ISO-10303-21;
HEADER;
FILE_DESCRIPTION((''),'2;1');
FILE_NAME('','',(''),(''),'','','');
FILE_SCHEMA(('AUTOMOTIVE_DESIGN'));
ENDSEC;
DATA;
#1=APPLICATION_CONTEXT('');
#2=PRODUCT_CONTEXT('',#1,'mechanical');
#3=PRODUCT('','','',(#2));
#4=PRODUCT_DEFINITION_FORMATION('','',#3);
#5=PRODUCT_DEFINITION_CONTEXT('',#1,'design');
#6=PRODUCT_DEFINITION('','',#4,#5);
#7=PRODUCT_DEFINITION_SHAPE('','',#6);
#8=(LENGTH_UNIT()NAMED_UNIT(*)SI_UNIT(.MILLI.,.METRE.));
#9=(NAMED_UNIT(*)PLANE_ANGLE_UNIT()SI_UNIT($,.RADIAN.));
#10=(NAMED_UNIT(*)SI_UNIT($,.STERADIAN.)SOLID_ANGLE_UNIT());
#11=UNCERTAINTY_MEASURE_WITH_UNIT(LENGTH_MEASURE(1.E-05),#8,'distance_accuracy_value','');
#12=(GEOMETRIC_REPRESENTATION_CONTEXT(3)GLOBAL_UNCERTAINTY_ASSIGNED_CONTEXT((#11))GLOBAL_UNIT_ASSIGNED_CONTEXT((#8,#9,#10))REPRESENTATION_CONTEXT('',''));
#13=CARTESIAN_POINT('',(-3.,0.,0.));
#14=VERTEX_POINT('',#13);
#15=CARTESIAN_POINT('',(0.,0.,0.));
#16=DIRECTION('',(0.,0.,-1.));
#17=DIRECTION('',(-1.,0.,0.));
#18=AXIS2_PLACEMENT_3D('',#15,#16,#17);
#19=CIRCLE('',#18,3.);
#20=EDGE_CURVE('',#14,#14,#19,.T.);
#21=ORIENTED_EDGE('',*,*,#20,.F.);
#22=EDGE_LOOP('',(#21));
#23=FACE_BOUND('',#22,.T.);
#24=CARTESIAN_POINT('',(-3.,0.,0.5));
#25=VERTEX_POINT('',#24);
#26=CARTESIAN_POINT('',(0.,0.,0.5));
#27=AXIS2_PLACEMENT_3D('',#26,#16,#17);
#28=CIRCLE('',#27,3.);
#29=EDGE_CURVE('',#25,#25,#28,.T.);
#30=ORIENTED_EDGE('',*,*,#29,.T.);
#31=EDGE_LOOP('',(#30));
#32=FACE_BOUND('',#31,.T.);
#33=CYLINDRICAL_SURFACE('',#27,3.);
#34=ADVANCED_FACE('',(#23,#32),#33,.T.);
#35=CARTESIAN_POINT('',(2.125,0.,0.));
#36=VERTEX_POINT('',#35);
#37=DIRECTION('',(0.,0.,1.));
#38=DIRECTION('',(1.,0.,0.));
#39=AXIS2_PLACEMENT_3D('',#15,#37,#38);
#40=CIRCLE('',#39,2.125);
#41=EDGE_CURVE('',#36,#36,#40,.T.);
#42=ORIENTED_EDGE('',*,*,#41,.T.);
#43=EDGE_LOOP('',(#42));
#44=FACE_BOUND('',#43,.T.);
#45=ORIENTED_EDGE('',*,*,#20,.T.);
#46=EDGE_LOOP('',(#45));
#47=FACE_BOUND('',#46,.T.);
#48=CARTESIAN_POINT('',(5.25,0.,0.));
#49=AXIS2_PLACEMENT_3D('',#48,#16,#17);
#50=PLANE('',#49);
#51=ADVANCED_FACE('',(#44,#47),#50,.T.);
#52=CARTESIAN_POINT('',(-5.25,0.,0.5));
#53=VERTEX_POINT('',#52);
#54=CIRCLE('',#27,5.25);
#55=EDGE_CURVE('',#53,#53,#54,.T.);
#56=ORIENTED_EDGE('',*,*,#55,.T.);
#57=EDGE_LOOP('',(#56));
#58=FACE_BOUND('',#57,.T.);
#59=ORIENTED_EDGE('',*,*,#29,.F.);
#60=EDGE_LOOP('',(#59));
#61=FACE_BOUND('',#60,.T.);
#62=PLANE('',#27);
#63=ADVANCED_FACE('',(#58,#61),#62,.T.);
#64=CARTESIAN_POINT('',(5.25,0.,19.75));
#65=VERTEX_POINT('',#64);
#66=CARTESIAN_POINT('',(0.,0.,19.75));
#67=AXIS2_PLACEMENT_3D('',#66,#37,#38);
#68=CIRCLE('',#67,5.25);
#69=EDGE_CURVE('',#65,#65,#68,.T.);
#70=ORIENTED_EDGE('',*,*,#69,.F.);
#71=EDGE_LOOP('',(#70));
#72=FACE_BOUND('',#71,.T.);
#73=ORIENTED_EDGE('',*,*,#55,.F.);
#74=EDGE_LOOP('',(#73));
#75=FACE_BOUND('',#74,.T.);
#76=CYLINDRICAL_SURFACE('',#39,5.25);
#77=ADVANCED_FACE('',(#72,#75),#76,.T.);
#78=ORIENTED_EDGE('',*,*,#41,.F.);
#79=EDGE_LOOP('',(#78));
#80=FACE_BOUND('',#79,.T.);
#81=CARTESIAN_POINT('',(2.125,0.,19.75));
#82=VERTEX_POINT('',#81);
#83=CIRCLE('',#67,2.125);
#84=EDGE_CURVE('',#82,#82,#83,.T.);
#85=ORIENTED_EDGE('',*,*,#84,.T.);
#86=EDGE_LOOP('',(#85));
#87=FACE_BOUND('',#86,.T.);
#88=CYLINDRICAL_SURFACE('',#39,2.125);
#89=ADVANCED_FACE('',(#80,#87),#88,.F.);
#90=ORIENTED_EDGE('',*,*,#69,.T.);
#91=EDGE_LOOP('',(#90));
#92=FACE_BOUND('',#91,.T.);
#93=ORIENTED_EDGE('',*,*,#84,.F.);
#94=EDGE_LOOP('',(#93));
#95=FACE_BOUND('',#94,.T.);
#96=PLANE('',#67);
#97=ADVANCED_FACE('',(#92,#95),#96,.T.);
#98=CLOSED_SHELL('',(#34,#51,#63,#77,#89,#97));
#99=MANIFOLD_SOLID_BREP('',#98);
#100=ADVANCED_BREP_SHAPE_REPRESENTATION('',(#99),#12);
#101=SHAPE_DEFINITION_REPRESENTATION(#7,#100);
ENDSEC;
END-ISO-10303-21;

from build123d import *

# Parameters (mm, degrees)
SKETCH1_W           = 3.125
SKETCH1_H           = 3.75
SKETCH2_R           = 5.25
SKETCH2_R_2         = 2.125
BOSS_EXTRUDE1_DEPTH = 16
SKETCH3_R           = 5.25
SKETCH3_R_2         = 3
CUT_EXTRUDE1_DEPTH  = 0.5


with BuildPart() as part:
    # Sketch1 → Revolve1 (revolve)
    with BuildSketch(Plane(origin=(0, 0, 0), x_dir=(1, 0, 0), z_dir=(0, 1, 0))):
        with Locations((3.6875, -1.875)):
            Rectangle(SKETCH1_W, SKETCH1_H)
    revolve(axis=Axis((0, 0, 0), (0, 0, 1)))

    # Sketch2 → Boss-Extrude1 (add)
    with BuildSketch(Plane.XY.offset(3.75)):
        Circle(SKETCH2_R)
        Circle(SKETCH2_R_2, mode=Mode.SUBTRACT)
    extrude(amount=BOSS_EXTRUDE1_DEPTH)

    # Sketch3 → Cut-Extrude1 (cut)
    with BuildSketch(Plane(origin=(0, 0, 0), x_dir=(-1, 0, 0), z_dir=(0, 0, -1))):
        Circle(SKETCH3_R)
        Circle(SKETCH3_R_2, mode=Mode.SUBTRACT)
    extrude(amount=-CUT_EXTRUDE1_DEPTH, mode=Mode.SUBTRACT)


solid = part.part
